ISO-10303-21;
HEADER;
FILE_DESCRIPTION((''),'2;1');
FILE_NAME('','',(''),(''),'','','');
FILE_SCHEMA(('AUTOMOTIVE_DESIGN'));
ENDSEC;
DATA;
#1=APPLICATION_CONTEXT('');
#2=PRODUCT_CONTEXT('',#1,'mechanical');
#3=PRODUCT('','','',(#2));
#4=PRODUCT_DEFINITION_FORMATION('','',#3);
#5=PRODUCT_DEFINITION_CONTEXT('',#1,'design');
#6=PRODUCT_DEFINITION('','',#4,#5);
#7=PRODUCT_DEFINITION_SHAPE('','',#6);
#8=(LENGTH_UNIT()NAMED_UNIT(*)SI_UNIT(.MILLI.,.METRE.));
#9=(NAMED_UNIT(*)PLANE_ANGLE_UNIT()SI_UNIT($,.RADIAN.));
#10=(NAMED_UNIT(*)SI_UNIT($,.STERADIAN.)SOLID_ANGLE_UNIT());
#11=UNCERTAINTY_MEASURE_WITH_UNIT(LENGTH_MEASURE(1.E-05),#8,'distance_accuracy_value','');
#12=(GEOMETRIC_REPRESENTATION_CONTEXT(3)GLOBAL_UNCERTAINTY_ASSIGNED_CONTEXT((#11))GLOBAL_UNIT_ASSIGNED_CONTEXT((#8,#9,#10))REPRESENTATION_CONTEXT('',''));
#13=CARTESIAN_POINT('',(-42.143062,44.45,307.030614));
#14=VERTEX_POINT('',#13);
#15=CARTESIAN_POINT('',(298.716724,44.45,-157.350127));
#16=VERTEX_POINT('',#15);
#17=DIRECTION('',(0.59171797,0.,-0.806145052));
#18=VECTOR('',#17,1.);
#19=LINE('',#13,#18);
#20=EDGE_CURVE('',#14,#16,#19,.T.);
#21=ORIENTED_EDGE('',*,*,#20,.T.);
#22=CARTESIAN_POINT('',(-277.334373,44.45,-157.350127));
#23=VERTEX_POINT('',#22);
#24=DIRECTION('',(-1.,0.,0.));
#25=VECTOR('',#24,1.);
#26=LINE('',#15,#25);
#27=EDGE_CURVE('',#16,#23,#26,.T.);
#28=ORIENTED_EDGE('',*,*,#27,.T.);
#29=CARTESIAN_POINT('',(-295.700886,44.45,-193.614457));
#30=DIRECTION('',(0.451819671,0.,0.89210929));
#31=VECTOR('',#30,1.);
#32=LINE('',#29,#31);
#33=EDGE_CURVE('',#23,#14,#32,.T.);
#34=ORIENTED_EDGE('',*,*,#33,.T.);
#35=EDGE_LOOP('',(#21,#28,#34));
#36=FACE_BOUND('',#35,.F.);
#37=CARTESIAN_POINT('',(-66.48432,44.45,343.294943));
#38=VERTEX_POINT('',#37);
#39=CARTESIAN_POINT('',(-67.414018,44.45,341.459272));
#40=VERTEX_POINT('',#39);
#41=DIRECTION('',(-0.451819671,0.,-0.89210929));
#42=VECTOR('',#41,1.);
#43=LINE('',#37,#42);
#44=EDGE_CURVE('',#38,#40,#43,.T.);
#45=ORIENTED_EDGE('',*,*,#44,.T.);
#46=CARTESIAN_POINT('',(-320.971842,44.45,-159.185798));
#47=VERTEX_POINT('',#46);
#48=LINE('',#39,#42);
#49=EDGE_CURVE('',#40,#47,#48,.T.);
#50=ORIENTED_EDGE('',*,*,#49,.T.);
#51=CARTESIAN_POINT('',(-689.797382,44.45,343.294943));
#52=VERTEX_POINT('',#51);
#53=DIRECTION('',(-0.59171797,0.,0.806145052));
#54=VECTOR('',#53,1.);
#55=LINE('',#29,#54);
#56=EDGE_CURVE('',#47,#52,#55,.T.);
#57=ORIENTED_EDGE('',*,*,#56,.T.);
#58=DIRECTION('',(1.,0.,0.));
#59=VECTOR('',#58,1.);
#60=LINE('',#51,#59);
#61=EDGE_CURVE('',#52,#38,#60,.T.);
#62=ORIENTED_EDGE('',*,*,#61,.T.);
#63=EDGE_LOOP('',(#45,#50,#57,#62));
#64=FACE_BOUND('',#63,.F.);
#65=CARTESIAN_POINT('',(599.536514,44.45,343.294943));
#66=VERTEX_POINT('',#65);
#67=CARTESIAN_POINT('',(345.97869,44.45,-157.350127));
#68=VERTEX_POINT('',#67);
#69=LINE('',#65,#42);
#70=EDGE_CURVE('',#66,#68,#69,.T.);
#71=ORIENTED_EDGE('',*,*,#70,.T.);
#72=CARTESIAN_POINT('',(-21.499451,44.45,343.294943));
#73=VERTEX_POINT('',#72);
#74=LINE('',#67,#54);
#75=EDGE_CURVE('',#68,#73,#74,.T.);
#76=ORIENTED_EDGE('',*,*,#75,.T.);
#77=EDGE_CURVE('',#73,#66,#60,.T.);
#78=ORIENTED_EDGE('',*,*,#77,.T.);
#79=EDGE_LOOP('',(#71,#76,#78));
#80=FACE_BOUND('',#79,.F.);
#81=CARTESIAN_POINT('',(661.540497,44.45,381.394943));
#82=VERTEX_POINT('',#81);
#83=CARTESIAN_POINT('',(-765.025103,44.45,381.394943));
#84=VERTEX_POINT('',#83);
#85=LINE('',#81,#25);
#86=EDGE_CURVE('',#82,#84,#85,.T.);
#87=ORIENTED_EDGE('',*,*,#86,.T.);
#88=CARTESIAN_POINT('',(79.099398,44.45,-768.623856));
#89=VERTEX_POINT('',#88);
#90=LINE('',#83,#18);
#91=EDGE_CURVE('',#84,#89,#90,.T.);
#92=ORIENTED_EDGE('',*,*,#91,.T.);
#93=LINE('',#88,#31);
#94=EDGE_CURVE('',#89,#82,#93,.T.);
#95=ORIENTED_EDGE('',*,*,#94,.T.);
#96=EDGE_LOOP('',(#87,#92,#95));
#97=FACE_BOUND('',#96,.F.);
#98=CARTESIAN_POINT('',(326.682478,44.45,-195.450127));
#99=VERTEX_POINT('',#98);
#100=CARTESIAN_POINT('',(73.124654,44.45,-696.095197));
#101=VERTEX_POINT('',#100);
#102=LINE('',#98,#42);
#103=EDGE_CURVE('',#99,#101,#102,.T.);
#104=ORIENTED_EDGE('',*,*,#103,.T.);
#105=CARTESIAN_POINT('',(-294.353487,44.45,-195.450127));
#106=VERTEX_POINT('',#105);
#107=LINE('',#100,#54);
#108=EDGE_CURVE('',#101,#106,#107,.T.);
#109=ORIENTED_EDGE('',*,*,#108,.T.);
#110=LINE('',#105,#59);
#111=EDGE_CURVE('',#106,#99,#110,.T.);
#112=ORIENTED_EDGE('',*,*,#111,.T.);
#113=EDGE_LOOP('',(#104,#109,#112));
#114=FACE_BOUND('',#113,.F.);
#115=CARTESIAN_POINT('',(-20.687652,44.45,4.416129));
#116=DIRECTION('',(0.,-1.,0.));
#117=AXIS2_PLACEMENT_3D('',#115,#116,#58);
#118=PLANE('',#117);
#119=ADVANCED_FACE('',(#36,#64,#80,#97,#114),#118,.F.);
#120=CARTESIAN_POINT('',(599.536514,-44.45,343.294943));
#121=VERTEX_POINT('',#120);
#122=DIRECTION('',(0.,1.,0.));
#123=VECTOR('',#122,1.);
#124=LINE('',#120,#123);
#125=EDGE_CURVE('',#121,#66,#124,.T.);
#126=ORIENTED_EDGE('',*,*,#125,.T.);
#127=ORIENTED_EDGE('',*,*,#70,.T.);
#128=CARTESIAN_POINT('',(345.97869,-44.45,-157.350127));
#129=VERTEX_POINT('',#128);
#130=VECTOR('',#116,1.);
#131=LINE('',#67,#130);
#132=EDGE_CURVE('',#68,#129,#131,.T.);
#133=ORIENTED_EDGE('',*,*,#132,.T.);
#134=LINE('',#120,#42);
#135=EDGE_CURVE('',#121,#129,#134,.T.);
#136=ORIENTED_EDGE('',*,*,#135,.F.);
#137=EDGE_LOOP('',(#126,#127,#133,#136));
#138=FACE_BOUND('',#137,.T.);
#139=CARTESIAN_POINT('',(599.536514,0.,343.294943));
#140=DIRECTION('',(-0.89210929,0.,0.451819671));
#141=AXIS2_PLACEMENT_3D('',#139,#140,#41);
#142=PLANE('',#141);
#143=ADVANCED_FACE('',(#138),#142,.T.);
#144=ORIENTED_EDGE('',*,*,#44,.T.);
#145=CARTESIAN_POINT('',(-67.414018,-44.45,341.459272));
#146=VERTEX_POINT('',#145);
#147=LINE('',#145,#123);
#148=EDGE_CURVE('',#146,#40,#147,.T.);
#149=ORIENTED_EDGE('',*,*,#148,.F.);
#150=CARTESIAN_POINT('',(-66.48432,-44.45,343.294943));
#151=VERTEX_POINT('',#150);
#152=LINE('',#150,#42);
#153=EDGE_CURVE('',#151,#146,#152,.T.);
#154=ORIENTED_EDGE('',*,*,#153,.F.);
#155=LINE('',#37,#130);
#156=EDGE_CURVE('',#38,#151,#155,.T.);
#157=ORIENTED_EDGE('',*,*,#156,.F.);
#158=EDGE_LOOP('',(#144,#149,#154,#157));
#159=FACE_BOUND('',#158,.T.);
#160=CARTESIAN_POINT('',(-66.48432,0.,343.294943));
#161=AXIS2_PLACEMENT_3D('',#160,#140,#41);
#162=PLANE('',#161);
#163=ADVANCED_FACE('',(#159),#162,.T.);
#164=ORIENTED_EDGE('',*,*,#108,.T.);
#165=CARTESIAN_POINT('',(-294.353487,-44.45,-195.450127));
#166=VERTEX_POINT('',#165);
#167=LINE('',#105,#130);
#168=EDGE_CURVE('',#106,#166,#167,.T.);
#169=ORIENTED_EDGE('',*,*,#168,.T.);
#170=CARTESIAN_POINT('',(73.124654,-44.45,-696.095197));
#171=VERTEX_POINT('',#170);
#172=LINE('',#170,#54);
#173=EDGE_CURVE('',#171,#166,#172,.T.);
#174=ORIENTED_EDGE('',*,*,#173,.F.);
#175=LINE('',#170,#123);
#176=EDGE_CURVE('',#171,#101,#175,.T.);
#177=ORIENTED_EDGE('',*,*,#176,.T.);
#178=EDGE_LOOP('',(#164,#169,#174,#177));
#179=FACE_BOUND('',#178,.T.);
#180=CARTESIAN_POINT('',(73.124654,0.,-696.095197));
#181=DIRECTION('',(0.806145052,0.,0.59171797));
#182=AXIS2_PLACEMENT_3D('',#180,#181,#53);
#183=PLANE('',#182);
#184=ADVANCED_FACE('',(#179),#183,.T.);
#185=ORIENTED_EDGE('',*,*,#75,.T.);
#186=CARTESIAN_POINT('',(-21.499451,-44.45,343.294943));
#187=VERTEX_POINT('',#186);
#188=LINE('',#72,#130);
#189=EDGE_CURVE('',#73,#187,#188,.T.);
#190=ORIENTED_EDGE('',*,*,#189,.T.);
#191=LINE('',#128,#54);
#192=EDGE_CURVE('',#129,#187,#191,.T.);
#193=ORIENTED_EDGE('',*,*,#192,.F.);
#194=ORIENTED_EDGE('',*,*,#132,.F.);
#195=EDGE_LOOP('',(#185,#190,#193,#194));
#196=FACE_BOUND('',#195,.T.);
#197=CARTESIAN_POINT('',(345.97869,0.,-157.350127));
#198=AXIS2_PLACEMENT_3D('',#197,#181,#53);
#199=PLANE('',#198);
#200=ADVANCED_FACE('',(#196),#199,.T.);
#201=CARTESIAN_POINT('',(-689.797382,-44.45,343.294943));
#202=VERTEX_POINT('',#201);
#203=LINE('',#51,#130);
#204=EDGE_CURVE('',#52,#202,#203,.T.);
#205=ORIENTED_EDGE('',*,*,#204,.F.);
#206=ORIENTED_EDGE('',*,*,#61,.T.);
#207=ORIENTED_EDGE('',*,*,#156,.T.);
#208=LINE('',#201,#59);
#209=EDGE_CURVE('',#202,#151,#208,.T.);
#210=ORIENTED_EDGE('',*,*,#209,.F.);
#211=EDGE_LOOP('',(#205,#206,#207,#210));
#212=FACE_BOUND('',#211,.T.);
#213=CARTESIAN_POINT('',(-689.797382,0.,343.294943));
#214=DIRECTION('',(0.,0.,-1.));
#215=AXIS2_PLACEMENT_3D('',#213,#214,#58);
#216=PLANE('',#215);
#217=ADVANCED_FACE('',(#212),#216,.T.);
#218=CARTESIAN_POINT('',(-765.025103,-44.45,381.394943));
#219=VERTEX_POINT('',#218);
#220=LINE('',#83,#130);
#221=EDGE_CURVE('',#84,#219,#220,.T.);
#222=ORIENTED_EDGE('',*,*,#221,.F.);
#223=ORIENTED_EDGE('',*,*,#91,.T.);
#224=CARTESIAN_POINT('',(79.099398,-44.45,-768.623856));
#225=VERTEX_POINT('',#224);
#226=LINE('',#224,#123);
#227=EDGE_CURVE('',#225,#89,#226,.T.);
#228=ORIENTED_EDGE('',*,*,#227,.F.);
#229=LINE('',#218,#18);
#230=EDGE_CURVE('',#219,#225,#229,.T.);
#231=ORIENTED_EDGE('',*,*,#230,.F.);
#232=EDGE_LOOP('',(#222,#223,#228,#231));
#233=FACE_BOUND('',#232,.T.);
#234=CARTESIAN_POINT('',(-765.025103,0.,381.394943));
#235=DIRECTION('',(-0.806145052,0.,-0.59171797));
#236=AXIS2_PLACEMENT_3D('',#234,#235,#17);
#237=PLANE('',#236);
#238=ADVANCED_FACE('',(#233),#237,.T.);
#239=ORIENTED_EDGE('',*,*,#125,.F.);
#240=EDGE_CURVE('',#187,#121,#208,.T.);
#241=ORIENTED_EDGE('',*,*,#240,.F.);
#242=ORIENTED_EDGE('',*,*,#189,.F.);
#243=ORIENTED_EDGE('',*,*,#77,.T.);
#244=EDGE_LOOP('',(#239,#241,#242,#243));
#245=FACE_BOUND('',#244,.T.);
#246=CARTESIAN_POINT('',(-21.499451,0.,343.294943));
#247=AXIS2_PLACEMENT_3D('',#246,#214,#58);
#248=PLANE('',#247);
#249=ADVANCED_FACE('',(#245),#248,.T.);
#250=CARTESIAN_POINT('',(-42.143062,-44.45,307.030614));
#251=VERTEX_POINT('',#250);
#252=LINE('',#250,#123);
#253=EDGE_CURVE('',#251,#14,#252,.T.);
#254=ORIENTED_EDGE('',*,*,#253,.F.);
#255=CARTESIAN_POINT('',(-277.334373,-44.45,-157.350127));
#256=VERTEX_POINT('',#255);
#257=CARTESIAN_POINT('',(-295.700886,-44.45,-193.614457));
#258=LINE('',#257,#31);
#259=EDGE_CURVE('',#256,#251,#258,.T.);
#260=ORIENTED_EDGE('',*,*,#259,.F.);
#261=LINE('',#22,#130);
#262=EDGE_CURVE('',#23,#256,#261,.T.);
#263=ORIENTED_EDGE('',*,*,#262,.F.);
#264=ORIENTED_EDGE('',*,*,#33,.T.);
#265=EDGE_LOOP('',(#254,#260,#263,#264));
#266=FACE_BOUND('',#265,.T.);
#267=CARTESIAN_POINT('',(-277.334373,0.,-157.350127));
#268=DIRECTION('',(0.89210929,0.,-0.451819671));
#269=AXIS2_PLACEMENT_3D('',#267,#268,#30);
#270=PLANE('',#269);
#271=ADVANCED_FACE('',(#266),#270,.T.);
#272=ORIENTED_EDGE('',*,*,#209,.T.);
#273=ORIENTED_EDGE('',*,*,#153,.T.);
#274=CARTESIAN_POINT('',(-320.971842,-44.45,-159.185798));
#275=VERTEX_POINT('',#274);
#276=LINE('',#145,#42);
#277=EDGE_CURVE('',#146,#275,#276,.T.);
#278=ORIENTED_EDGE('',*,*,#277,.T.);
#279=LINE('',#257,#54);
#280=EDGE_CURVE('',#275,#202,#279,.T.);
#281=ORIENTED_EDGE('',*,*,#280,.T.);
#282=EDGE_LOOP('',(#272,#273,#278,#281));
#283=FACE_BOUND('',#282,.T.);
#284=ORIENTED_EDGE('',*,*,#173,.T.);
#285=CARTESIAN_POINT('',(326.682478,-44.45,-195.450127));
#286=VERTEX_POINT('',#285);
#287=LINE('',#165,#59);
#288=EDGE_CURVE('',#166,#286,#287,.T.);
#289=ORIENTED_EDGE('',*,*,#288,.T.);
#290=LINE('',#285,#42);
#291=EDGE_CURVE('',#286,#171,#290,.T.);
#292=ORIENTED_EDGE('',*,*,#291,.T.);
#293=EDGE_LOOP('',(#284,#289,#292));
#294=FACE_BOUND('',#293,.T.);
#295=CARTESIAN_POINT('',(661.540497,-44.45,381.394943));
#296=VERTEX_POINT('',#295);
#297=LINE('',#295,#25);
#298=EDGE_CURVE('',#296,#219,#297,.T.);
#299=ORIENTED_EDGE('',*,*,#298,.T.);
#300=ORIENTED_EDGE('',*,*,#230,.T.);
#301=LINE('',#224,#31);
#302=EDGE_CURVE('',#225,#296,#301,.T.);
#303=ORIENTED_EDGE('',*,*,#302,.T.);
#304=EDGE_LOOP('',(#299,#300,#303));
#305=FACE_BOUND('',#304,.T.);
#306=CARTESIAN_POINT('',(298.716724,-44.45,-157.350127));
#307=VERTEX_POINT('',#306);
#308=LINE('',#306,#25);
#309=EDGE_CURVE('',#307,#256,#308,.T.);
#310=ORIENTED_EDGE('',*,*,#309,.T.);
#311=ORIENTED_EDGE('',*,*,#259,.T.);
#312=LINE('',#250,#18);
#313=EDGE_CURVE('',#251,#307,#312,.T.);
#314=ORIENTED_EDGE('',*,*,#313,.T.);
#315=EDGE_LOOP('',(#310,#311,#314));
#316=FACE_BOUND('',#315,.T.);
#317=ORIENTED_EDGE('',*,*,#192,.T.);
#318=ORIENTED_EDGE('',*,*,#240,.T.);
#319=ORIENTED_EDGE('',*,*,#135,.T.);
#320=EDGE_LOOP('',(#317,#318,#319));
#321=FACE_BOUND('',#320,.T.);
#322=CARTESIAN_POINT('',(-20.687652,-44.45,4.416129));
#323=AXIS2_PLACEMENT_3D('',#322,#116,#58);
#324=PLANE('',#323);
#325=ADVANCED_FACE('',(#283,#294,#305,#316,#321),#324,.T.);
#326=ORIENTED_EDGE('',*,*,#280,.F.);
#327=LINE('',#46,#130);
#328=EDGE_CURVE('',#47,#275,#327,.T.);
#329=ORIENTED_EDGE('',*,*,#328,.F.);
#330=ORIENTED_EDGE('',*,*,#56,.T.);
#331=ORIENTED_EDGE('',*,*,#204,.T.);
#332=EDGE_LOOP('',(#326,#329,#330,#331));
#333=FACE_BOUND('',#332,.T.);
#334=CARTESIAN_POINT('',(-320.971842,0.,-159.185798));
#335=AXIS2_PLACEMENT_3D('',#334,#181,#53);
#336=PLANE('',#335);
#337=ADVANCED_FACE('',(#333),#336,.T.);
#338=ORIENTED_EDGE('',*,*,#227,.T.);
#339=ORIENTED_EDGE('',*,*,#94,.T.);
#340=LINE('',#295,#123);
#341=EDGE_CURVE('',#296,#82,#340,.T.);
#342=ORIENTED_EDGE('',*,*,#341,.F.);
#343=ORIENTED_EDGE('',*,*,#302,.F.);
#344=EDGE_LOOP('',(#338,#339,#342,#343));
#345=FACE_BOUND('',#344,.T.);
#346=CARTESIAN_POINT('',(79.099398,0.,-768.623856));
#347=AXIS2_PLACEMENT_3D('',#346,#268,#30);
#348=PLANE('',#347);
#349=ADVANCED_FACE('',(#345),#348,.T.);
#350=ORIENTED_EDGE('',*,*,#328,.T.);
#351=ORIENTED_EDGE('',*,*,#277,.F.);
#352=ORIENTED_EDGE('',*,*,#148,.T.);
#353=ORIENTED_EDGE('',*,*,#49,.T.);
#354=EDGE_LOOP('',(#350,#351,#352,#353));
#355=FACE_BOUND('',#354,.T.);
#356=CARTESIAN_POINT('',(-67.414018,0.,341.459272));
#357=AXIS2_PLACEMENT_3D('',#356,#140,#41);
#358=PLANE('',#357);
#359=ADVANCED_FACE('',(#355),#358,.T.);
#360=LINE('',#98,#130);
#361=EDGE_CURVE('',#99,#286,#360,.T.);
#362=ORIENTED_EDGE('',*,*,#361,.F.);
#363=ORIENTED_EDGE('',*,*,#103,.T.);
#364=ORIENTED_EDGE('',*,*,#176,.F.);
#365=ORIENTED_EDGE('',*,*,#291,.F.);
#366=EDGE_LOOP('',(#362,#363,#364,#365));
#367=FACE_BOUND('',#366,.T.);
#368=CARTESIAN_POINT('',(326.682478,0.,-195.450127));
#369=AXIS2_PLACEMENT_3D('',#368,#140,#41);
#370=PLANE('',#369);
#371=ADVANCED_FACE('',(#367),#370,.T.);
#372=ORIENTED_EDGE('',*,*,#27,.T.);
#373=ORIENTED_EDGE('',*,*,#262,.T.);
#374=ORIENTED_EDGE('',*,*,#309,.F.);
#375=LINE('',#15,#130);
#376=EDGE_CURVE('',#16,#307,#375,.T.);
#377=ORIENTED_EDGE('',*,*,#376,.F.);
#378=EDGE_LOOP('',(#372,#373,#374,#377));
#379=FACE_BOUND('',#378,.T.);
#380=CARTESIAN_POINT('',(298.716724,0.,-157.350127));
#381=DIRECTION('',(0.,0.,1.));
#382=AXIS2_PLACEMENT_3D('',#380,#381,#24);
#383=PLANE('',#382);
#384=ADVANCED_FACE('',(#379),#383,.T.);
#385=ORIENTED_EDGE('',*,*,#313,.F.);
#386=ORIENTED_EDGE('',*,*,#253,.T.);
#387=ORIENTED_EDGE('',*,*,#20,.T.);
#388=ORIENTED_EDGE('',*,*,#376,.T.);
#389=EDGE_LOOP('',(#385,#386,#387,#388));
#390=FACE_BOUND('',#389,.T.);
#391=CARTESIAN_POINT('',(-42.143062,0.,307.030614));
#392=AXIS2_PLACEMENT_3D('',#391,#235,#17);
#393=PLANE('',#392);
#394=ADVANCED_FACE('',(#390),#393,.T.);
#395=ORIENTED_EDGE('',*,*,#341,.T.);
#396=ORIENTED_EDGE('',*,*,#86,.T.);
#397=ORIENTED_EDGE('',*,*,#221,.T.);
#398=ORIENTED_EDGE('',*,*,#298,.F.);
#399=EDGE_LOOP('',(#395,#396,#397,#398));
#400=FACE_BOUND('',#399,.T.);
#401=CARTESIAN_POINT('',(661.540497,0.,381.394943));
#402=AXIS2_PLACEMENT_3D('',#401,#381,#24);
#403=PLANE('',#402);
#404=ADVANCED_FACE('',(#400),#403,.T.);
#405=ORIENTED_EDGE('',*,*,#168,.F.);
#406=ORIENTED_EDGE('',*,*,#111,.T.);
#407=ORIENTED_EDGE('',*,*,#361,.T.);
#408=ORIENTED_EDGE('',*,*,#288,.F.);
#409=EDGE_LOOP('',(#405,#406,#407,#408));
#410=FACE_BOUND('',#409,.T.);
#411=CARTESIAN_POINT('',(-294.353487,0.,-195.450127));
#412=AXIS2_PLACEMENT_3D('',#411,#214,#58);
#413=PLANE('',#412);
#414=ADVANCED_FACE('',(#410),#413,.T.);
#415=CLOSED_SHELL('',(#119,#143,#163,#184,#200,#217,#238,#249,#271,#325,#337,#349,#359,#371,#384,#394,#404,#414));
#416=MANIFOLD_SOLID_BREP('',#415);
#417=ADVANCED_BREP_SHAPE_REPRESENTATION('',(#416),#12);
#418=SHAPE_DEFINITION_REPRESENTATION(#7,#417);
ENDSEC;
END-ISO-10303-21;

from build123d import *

# Parameters (mm, degrees)
F1_DEPTH = 44.45


with BuildPart() as f1:
    # F0 (on Front) → F1 (new body, symmetric)
    with BuildSketch(Plane.XZ):
        Polygon((661.5404974869, 381.3949429896), (-765.0251025131, 381.3949429896), (79.099398192, -768.6238561666), align=None)
        Polygon((326.6824781895, -195.4501271248), (73.1246535626, -696.0951972392), (-294.3534869259, -195.4501271248), (-295.7008861824, -193.6144565885), (-320.9718422297, -159.1857976611), (-689.7973819747, 343.2949429896), (-68.7614168593, 343.2949429896), (-66.4843197876, 343.2949429896), (-21.4994508811, 343.2949429896), (599.5365142343, 343.2949429896), (345.9786896074, -157.3501271248), align=None, mode=Mode.SUBTRACT)
        Polygon((-320.9718422297, -159.1857976611), (-295.7008861824, -193.6144565885), (-277.3343725797, -157.3501271248), (-42.1430615555, 307.0306135259), (-67.4140176028, 341.4592724533), align=None)
        Polygon((298.7167236292, -157.3501271248), (345.9786896074, -157.3501271248), (-21.4994508811, 343.2949429896), (-66.4843197876, 343.2949429896), (-67.4140176028, 341.4592724533), (-42.1430615555, 307.0306135259), align=None)
        Polygon((-294.3534869259, -195.4501271248), (326.6824781895, -195.4501271248), (345.9786896074, -157.3501271248), (298.7167236292, -157.3501271248), (-277.3343725797, -157.3501271248), (-295.7008861824, -193.6144565885), align=None)
    extrude(amount=F1_DEPTH, both=True)


solid = f1.part
